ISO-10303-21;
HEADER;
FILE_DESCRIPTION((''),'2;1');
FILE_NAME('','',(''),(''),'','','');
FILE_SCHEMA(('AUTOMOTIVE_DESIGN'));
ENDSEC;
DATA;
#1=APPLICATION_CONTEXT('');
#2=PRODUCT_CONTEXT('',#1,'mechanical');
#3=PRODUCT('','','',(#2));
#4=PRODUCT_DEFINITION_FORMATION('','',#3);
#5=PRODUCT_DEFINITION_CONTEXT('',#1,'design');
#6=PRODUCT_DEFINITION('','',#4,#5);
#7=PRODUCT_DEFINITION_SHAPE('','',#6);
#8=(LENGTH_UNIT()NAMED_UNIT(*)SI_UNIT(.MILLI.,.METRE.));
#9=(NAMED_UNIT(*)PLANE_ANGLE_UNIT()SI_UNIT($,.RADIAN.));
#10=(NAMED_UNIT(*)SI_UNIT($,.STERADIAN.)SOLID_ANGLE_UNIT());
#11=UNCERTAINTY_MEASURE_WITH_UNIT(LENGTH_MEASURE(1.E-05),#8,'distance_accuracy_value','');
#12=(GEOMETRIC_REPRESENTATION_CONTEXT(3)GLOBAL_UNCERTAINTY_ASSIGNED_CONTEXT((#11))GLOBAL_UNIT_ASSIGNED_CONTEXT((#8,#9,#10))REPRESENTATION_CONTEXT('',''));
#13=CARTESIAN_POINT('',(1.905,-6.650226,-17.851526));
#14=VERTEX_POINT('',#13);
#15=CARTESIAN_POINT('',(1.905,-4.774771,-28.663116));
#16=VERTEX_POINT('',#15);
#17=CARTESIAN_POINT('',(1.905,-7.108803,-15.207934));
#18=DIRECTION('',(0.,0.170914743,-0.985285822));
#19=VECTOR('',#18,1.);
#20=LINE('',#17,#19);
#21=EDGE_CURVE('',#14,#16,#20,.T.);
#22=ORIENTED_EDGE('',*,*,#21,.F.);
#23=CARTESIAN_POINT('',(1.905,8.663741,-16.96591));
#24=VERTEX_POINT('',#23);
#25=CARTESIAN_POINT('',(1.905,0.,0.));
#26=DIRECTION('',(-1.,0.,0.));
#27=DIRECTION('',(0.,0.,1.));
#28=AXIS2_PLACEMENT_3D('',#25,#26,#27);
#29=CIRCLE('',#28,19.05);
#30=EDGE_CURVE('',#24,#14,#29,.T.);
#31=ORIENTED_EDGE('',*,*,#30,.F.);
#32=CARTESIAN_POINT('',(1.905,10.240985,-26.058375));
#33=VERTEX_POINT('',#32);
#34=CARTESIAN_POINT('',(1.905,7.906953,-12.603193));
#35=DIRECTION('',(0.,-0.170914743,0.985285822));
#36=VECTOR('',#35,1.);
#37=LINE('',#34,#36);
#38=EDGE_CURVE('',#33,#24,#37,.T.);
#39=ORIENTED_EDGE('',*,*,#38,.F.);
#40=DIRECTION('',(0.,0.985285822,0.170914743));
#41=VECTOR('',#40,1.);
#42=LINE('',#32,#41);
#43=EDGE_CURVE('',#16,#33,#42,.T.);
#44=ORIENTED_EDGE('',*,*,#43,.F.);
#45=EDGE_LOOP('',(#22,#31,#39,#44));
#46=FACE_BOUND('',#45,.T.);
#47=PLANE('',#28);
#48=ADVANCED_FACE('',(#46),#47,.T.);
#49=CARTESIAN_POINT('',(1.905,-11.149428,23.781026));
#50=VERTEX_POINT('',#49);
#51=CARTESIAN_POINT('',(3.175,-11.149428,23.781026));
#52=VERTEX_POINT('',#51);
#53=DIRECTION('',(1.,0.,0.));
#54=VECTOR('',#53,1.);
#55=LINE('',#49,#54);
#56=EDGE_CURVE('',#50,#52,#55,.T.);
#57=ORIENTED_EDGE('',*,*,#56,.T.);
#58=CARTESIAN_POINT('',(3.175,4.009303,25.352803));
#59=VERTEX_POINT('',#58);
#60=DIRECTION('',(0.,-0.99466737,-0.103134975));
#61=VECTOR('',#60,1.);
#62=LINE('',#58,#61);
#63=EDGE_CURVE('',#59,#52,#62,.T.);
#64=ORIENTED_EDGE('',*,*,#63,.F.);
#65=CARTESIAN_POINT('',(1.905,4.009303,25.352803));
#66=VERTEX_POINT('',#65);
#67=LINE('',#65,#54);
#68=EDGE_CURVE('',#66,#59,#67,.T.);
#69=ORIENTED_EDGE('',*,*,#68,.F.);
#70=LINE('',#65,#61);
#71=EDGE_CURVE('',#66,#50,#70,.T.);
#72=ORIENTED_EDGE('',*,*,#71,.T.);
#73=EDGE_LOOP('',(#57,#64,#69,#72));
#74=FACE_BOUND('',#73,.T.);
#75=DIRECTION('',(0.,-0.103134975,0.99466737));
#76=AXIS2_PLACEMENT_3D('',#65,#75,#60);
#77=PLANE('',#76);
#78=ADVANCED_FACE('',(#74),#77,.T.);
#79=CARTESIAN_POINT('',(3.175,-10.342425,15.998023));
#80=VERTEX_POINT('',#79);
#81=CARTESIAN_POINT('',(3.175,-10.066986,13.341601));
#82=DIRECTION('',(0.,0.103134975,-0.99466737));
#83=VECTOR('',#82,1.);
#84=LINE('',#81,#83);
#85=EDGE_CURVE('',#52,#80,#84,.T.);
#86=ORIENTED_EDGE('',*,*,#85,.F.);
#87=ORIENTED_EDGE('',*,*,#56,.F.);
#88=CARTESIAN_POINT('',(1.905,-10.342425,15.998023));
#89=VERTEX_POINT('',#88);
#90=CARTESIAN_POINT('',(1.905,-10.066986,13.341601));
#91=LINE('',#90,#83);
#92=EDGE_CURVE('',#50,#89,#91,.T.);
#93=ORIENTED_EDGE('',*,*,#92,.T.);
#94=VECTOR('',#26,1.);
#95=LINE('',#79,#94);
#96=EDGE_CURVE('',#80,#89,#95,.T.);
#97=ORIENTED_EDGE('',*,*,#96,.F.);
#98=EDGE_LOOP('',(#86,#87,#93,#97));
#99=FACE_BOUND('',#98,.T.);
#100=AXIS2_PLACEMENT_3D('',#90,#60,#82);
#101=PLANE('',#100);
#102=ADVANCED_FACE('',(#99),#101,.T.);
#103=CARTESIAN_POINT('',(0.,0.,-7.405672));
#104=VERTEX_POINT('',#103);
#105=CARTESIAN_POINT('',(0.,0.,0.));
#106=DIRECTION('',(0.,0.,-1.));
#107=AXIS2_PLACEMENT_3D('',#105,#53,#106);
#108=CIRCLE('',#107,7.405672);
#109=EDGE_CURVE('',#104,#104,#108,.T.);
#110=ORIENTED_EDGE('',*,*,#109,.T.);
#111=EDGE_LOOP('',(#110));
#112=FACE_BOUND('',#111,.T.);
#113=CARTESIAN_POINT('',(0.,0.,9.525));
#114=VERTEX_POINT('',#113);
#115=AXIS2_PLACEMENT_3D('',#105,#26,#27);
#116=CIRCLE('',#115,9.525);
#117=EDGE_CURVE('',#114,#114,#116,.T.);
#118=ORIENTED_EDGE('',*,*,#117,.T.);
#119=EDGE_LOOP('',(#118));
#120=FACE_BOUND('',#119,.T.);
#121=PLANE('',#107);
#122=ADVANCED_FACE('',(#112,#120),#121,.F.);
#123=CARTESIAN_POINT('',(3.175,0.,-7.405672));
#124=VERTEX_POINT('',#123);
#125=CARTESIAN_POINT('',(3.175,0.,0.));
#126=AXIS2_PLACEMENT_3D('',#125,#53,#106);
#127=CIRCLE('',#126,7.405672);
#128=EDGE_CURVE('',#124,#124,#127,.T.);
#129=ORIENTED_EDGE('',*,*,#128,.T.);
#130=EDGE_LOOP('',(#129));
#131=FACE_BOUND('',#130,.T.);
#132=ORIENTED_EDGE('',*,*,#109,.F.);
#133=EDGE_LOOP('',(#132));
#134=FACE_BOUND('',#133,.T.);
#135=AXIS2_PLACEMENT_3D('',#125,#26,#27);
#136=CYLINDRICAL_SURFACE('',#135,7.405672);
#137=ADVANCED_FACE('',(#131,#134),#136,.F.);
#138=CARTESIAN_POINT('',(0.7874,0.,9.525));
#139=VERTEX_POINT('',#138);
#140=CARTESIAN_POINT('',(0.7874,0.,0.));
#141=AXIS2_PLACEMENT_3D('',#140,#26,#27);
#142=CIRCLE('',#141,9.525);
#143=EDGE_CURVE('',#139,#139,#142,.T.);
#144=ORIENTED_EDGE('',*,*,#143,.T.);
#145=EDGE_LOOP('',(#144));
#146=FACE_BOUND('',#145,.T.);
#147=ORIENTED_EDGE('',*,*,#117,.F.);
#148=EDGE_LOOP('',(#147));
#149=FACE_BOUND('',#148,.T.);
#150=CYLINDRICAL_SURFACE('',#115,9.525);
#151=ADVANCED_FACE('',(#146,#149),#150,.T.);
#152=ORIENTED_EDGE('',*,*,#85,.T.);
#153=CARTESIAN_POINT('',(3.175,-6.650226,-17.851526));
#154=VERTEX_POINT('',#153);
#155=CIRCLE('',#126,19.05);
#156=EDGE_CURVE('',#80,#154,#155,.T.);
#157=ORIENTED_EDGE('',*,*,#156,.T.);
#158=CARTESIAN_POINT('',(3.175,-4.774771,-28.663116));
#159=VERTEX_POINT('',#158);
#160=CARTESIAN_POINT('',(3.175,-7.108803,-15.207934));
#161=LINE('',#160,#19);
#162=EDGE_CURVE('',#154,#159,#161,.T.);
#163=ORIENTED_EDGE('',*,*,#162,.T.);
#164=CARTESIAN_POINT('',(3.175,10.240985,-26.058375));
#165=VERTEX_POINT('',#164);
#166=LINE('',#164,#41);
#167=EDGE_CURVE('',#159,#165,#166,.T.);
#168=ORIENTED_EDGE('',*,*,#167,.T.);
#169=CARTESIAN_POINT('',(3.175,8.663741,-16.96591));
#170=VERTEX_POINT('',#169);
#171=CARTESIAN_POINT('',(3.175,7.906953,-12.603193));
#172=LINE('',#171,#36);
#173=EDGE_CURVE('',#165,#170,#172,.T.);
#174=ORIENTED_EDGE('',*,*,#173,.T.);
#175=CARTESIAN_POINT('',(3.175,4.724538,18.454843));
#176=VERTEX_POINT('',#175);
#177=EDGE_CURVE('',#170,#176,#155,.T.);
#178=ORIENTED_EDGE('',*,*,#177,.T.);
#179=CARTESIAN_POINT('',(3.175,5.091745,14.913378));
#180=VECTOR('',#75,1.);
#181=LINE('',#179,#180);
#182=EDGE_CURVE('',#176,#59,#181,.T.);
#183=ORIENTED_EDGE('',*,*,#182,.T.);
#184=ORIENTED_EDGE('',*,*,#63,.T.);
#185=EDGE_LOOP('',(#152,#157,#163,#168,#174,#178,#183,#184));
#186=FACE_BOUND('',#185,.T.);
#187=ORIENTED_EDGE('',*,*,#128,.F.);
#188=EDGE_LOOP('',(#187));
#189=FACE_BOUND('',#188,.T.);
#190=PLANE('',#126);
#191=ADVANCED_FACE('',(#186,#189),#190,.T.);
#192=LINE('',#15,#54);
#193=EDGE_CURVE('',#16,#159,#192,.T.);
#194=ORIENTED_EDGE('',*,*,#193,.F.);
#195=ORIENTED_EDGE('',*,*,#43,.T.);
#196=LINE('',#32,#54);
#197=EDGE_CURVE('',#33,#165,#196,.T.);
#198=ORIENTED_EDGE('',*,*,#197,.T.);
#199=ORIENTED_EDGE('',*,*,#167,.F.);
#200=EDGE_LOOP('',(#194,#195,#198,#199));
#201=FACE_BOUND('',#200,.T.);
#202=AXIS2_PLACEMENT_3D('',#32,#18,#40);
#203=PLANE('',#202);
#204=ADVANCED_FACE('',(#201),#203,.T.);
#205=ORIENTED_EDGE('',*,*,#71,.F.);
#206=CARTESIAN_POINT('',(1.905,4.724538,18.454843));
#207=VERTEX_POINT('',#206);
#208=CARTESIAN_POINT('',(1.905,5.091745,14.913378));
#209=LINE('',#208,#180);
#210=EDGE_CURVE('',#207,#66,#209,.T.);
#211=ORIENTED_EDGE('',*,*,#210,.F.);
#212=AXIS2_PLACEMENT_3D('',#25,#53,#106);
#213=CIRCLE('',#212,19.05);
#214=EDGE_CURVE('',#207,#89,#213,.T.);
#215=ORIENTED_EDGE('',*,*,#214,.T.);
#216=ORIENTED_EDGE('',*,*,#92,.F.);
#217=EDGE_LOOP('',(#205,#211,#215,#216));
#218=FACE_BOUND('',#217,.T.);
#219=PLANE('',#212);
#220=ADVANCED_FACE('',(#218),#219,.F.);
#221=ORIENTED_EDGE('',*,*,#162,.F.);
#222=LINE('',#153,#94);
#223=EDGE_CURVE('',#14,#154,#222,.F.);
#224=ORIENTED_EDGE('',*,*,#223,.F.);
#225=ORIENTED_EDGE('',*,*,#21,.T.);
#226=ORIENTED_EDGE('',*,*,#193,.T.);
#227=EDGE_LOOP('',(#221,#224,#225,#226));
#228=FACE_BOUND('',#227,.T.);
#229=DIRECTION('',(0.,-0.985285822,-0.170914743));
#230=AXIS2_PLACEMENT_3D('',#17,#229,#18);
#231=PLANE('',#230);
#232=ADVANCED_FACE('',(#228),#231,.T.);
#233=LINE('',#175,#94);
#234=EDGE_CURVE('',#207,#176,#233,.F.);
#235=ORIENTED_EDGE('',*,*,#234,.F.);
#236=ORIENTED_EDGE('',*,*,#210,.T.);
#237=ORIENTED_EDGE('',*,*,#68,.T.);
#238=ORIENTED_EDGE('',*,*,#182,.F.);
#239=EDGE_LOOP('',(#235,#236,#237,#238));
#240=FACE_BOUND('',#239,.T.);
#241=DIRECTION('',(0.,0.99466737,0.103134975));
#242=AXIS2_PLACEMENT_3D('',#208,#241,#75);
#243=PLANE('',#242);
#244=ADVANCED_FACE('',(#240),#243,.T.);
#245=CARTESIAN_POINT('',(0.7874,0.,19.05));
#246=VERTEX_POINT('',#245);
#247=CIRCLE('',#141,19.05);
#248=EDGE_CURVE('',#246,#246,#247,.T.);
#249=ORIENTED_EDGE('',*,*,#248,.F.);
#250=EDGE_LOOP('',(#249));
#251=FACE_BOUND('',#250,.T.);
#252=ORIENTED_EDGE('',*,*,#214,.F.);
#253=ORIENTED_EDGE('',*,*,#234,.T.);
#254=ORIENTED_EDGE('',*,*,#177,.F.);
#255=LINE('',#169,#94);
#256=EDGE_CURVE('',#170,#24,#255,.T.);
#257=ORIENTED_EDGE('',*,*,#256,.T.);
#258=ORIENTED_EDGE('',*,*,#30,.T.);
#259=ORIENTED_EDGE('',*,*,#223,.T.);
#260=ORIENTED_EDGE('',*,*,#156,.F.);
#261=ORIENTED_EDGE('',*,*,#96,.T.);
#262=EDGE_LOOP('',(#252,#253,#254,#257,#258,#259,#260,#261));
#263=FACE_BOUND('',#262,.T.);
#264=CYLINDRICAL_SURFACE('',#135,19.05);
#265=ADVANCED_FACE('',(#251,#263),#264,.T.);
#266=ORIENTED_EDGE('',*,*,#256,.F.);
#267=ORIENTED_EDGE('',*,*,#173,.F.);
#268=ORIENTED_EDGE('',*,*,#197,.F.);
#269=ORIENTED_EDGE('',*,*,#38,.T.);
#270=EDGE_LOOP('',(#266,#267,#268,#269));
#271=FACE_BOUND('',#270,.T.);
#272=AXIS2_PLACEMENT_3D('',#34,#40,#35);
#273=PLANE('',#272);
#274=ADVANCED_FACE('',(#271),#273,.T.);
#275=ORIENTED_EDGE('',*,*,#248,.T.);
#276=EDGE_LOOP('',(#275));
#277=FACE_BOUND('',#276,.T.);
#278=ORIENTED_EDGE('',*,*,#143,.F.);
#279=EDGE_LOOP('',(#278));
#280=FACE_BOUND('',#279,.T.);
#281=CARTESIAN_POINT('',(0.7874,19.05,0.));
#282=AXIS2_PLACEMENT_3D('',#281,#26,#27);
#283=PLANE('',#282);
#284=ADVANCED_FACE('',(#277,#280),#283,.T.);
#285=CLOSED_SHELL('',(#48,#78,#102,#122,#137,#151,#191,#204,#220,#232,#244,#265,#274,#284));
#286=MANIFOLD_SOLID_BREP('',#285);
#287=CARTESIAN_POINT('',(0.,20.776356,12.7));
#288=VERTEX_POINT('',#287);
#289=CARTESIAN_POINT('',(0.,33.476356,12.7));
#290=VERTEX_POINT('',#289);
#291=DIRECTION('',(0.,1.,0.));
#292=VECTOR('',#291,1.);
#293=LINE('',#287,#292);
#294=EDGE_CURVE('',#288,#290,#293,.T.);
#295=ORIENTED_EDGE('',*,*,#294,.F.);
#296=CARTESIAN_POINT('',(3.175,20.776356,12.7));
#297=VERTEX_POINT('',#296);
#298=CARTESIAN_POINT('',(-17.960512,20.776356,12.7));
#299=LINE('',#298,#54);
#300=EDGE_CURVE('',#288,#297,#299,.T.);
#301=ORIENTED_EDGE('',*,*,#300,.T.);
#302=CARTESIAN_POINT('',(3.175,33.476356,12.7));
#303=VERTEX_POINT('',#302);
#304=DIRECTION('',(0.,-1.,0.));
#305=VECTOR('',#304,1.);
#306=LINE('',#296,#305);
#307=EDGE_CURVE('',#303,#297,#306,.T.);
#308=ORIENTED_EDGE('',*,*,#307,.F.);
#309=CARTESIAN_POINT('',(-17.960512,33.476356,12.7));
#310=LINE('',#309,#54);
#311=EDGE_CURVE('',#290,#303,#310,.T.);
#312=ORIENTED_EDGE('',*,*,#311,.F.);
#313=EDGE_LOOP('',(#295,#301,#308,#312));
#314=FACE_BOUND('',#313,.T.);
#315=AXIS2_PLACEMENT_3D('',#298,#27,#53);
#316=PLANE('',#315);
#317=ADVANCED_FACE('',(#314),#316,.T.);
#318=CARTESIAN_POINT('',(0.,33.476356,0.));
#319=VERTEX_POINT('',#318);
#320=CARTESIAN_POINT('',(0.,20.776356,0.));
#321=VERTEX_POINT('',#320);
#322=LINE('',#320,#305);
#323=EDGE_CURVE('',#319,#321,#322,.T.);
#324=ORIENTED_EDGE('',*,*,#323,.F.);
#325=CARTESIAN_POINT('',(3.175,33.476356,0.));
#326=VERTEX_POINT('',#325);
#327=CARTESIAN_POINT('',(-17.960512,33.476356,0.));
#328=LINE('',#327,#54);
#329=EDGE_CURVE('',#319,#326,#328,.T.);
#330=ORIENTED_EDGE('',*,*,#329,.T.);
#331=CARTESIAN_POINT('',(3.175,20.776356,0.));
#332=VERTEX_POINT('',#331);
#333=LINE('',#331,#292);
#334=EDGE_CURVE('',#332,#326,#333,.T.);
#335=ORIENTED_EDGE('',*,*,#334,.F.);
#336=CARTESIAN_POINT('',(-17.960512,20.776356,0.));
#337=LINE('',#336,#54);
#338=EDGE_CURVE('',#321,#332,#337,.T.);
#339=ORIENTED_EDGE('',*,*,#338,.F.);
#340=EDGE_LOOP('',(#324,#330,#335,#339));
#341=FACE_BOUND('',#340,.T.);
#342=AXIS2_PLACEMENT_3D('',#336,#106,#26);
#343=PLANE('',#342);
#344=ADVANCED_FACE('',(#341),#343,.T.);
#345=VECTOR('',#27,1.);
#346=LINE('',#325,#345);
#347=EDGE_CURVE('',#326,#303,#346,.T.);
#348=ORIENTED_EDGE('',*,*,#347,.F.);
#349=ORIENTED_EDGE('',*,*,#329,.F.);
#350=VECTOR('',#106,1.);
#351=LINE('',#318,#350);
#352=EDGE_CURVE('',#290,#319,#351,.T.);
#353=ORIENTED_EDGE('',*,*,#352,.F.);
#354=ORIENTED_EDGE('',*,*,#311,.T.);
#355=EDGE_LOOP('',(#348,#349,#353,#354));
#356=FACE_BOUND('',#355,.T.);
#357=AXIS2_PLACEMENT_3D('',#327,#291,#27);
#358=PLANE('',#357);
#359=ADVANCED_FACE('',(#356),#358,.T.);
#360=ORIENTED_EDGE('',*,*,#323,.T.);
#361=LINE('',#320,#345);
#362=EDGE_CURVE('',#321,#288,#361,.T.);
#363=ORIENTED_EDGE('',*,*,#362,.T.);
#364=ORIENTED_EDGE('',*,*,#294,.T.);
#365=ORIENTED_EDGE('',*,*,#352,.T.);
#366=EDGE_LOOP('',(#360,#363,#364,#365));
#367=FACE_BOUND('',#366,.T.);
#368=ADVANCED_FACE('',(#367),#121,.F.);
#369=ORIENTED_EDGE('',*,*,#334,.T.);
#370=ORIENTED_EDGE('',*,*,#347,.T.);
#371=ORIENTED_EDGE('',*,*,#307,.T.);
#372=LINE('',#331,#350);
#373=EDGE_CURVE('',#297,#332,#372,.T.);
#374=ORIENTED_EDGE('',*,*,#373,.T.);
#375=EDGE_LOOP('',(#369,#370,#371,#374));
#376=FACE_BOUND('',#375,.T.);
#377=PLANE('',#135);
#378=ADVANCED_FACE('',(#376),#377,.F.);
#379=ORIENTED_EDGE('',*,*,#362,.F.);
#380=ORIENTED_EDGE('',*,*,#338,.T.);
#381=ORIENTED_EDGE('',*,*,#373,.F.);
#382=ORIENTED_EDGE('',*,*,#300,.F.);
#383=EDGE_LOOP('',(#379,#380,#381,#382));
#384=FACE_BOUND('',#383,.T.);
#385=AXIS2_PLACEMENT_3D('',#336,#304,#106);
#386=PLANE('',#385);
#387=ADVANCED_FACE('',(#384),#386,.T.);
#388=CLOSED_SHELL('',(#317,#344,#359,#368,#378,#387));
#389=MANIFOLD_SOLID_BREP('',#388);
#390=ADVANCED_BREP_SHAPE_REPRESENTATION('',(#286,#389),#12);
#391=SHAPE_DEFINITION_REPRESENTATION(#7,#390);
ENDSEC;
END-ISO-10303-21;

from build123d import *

# Parameters (mm, degrees)
SKETCH1_R           = 19.05
SKETCH1_R_2         = 7.405671903
BOSS_EXTRUDE1_DEPTH = 3.175
SKETCH3_W           = 0.7874
SKETCH3_H           = 9.525
SKETCH4_W           = 12.7
SKETCH4_H           = 12.7
BOSS_EXTRUDE2_DEPTH = 3.175
BOSS_EXTRUDE3_DEPTH = 1.27


with BuildPart() as part:
    # Sketch1 → Boss-Extrude1 (new body)
    with BuildSketch(Plane(origin=(0, 0, 0), x_dir=(0, 0, -1), z_dir=(1, 0, 0))):
        Circle(SKETCH1_R)
        Circle(SKETCH1_R_2, mode=Mode.SUBTRACT)
    extrude(amount=BOSS_EXTRUDE1_DEPTH)

    # Sketch3 → Cut-Revolve1 (revolve, cut)
    with BuildSketch(Plane.XY, mode=Mode.PRIVATE) as cut_revolve1_sk:
        with Locations((0.3937, 14.2875)):
            Rectangle(SKETCH3_W, SKETCH3_H)
    revolve(cut_revolve1_sk.sketch.rotate(Axis((0, 0, 0), (1, 0, 0)), 90), axis=Axis((0, 0, 0), (1, 0, 0)), mode=Mode.SUBTRACT)

    # Sketch5 → Boss-Extrude3 (add)
    with BuildSketch(Plane(origin=(3.175, 0, 0), x_dir=(0, 0, -1), z_dir=(1, 0, 0))):
        Polygon((12.603193196, 7.906953093), (15.207933879, -7.108802831), (28.663115508, -4.774770556), (26.058374826, 10.240985369), align=None)
        Polygon((-14.91337831, 5.091744809), (-13.341601287, -10.066985909), (-23.781025765, -11.149427957), (-25.352802787, 4.009302762), align=None)
    extrude(amount=-BOSS_EXTRUDE3_DEPTH)


with BuildPart() as body_2:
    # Sketch4 → Boss-Extrude2 (new body)
    with BuildSketch(Plane(origin=(3.175, 0, 0), x_dir=(0, 0, -1), z_dir=(1, 0, 0))):
        with Locations((-6.35, 27.126355703)):
            Rectangle(SKETCH4_W, SKETCH4_H)
    extrude(amount=-BOSS_EXTRUDE2_DEPTH)


solid = Compound([part.part, body_2.part])
